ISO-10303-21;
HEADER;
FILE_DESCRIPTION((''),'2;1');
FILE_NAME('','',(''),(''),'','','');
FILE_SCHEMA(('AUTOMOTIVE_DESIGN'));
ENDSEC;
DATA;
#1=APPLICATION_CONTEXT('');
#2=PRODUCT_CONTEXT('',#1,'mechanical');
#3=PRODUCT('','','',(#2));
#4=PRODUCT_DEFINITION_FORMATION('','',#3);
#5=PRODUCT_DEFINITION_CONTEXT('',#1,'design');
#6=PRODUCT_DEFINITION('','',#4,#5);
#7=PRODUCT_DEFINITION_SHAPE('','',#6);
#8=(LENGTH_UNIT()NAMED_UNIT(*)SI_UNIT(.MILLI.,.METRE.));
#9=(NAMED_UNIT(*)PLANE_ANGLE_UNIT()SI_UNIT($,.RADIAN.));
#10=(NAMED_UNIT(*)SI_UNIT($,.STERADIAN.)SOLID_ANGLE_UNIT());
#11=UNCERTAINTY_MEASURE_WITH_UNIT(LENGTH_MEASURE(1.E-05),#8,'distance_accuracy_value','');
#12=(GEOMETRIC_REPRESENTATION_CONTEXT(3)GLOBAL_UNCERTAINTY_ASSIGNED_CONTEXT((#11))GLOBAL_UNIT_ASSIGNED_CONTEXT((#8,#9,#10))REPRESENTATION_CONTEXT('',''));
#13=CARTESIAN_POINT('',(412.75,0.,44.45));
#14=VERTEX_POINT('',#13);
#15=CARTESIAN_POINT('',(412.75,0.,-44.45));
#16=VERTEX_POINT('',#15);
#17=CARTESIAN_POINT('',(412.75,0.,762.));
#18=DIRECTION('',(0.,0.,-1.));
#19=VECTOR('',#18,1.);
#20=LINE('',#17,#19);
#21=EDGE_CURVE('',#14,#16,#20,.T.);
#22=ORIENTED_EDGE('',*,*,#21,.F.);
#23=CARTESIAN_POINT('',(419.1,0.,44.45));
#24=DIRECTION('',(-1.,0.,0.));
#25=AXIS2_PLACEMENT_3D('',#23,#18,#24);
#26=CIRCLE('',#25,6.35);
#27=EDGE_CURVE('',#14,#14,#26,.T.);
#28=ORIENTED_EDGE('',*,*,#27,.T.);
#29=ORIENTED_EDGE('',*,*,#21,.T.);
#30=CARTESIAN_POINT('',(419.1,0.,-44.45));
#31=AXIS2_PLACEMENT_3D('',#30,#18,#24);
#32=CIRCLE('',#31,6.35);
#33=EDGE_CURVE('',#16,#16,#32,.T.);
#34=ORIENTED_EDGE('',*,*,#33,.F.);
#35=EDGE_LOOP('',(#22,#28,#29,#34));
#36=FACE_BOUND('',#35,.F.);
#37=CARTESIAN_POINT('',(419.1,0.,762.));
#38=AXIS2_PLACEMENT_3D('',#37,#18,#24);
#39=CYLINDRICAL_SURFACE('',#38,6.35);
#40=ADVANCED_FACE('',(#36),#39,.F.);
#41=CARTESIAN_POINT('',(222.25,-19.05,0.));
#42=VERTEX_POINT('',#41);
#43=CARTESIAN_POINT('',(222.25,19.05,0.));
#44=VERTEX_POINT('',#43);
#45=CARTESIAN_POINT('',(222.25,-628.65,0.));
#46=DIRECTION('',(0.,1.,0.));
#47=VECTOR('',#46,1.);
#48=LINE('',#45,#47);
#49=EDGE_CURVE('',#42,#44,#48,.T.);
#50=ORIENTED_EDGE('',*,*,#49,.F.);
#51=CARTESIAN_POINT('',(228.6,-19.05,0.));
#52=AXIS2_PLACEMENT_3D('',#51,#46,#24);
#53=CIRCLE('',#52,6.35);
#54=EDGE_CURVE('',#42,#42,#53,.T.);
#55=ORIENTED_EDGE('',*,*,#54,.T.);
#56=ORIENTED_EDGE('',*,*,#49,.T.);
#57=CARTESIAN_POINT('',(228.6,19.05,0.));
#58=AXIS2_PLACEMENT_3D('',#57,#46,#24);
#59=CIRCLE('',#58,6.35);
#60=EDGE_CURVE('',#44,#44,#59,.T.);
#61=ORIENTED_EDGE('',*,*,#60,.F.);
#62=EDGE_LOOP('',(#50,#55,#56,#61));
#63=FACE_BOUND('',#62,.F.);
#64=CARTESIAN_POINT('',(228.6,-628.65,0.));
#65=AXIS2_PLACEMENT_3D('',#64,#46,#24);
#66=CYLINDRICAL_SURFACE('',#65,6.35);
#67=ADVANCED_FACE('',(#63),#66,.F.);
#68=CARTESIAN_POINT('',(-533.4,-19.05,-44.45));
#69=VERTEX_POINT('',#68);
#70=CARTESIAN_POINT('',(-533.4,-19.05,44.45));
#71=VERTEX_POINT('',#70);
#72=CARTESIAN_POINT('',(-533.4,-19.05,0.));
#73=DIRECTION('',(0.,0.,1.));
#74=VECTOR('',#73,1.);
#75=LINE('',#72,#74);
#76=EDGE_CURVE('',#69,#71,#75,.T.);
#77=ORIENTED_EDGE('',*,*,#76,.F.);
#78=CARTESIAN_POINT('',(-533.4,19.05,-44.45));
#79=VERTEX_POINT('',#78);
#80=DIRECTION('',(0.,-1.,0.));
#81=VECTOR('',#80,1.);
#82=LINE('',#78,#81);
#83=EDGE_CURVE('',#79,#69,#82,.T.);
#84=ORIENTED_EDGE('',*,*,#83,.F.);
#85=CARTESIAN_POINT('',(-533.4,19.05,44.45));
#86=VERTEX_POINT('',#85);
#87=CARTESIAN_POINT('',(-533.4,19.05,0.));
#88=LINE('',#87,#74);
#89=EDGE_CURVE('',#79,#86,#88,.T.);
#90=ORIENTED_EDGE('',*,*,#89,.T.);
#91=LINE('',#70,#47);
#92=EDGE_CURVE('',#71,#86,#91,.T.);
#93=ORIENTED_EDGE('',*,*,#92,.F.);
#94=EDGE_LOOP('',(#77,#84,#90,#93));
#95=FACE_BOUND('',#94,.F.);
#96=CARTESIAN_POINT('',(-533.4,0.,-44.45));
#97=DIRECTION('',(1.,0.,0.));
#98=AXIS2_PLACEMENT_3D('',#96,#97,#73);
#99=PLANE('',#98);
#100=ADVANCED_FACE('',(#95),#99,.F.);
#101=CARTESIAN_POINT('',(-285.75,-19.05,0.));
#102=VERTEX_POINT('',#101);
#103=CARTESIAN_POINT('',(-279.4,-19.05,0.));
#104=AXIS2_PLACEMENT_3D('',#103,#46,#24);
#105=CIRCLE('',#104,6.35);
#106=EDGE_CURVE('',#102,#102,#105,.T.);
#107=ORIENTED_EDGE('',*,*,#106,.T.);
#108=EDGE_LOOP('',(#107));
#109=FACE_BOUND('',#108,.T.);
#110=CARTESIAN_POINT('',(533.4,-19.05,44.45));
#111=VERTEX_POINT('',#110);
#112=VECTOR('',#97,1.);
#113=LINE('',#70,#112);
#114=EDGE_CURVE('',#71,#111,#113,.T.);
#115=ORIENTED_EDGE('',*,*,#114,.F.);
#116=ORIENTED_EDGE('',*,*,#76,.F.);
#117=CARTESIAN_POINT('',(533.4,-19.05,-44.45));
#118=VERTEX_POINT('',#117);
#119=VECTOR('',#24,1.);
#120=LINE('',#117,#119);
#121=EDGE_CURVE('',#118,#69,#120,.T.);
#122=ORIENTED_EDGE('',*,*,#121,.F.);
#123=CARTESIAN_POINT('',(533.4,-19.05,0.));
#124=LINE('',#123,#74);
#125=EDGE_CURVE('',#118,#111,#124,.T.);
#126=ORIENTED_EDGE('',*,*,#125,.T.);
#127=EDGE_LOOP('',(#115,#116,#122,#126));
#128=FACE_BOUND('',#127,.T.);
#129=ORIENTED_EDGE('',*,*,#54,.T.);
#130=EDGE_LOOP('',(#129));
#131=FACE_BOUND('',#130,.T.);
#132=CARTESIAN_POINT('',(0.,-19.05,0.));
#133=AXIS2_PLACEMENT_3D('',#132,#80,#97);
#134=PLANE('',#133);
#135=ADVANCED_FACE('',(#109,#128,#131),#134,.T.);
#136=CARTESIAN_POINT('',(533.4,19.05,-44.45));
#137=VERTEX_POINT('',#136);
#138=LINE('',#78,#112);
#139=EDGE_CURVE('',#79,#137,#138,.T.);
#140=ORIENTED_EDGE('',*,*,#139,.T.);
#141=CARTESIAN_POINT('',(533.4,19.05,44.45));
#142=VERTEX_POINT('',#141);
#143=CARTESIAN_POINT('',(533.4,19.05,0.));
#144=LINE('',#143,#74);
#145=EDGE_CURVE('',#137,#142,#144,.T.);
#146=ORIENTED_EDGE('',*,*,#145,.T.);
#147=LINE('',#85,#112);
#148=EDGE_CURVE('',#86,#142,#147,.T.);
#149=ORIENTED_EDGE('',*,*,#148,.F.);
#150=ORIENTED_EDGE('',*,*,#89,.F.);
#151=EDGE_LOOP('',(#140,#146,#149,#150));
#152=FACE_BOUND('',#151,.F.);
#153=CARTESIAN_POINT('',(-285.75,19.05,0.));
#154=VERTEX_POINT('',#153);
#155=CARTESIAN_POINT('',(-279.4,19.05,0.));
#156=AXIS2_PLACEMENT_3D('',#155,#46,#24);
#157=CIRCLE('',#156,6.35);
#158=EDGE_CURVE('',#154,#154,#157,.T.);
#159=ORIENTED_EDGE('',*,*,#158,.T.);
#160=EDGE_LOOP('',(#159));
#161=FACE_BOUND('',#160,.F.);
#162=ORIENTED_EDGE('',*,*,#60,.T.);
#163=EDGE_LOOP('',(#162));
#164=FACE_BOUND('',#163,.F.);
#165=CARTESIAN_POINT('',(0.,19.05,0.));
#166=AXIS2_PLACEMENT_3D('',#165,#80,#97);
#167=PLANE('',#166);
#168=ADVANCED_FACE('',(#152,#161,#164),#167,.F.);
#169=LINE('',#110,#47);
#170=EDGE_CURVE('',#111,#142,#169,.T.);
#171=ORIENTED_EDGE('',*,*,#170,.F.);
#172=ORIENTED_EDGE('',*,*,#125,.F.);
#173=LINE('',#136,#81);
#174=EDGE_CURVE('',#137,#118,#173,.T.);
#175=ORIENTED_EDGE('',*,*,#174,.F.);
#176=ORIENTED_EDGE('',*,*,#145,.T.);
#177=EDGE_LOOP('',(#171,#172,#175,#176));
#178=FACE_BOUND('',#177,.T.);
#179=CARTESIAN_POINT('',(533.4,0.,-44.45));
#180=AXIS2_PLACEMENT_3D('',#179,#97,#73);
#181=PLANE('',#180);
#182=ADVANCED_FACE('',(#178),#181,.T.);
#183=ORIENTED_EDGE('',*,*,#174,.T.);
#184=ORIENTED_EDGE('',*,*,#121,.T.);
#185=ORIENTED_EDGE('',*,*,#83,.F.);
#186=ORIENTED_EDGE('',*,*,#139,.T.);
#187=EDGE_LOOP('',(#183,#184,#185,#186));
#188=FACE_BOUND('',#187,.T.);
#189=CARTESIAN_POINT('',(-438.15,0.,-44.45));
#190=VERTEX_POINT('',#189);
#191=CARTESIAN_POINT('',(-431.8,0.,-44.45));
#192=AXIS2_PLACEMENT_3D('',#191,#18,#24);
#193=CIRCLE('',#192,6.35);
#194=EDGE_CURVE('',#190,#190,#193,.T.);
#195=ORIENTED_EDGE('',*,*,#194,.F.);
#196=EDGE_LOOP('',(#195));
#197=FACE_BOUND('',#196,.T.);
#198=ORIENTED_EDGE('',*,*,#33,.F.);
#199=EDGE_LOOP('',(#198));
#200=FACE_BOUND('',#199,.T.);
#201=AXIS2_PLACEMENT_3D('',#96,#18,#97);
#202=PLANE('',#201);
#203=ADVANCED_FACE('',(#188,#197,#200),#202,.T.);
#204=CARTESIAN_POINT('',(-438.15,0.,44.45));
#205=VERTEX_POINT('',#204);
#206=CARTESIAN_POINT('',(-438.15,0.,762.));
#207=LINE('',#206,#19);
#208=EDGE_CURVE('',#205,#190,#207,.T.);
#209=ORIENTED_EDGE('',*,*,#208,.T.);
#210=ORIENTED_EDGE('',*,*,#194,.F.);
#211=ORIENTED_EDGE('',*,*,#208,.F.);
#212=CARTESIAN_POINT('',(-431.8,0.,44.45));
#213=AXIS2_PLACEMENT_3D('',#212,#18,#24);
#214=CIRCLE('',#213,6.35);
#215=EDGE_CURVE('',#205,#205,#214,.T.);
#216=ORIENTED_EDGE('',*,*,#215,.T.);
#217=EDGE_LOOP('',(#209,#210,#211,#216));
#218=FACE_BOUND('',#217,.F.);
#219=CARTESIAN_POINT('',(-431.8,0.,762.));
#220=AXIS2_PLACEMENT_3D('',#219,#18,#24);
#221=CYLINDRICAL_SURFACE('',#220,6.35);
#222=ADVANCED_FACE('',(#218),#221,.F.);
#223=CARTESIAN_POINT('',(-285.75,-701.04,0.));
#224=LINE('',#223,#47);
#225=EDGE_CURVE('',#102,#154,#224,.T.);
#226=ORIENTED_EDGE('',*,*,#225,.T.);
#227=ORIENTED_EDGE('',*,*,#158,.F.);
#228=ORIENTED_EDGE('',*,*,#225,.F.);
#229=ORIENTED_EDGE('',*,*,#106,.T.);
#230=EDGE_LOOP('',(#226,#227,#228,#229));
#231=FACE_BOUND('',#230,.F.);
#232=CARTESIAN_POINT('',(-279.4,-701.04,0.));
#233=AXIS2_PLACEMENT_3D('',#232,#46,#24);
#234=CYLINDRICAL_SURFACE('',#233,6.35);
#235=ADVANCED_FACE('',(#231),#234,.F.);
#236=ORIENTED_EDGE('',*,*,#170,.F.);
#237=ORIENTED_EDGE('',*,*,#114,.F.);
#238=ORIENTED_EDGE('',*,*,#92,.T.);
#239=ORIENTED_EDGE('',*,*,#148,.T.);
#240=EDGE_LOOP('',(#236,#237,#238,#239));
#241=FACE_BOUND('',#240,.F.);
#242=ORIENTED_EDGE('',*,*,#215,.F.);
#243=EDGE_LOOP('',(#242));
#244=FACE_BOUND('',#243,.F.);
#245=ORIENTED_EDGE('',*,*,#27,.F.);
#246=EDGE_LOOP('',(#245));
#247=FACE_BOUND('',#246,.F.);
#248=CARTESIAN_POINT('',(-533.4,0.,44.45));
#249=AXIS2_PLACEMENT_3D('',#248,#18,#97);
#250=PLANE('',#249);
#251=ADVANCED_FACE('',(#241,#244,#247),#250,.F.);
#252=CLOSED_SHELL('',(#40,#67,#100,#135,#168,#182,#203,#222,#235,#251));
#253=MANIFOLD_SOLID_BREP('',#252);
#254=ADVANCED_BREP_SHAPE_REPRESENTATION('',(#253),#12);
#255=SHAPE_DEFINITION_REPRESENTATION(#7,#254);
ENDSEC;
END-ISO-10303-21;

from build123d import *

# Parameters (mm, degrees)
F0_W        = 1066.8
F0_H        = 88.9
F1_DEPTH    = 19.05
F3_W        = 381
F3_H        = 88.9
F4_DEPTH    = 19.05
F10_D       = 12.7
F10_DEPTH   = 609.6
F11_D       = 12.7
F11_DEPTH   = 609.6
F13_D       = 12.7
F13_DEPTH   = 609.6
F13_2_D     = 12.7
F13_2_DEPTH = 609.6
F16_D       = 12.7
F16_DEPTH   = 609.6
F18_D       = 12.7
F18_DEPTH   = 609.6


with BuildPart() as f1:
    # F0 (on Front) → F1 (new body, symmetric)
    with BuildSketch(Plane.XZ):
        Rectangle(F0_W, F0_H)
    extrude(amount=F1_DEPTH, both=True)

    # F3 (on Front) → F4 (join, symmetric)
    with BuildSketch(Plane.XZ):
        Rectangle(F3_W, F3_H)
    extrude(amount=F4_DEPTH, both=True)

    # F11
    with Locations(Plane.XY.offset(152.4)):
        with Locations((419.1, 0)):
            Hole(F11_D / 2, depth=F11_DEPTH)

    # F13
    with Locations(Plane.XZ.offset(91.44)):
        with Locations((-279.4, 0)):
            Hole(F13_D / 2, depth=F13_DEPTH)

    # F16
    with Locations(Plane.XY.offset(152.4)):
        with Locations((-431.8, 0)):
            Hole(F16_D / 2, depth=F16_DEPTH)

    # F18
    with Locations(Plane.XZ.offset(19.05)):
        with Locations((228.6, 0)):
            Hole(F18_D / 2, depth=F18_DEPTH)


with BuildPart() as f2_1:
    # F2: copy of F1
    add(f1.part.moved(Location((0, 114.3, 0))))


with BuildPart() as f6_1:
    # F6: copy of F1
    add(f1.part.moved(Location((0, 152.4, 0))))

    # F10
    with Locations(Plane.XY.offset(152.4)):
        with Locations((419.1, 152.4)):
            Hole(F10_D / 2, depth=F10_DEPTH)

    # F13#2
    with Locations(Plane.XZ.offset(91.44)):
        with Locations((-279.4, 0)):
            Hole(F13_2_D / 2, depth=F13_2_DEPTH)


solid = f1.part
